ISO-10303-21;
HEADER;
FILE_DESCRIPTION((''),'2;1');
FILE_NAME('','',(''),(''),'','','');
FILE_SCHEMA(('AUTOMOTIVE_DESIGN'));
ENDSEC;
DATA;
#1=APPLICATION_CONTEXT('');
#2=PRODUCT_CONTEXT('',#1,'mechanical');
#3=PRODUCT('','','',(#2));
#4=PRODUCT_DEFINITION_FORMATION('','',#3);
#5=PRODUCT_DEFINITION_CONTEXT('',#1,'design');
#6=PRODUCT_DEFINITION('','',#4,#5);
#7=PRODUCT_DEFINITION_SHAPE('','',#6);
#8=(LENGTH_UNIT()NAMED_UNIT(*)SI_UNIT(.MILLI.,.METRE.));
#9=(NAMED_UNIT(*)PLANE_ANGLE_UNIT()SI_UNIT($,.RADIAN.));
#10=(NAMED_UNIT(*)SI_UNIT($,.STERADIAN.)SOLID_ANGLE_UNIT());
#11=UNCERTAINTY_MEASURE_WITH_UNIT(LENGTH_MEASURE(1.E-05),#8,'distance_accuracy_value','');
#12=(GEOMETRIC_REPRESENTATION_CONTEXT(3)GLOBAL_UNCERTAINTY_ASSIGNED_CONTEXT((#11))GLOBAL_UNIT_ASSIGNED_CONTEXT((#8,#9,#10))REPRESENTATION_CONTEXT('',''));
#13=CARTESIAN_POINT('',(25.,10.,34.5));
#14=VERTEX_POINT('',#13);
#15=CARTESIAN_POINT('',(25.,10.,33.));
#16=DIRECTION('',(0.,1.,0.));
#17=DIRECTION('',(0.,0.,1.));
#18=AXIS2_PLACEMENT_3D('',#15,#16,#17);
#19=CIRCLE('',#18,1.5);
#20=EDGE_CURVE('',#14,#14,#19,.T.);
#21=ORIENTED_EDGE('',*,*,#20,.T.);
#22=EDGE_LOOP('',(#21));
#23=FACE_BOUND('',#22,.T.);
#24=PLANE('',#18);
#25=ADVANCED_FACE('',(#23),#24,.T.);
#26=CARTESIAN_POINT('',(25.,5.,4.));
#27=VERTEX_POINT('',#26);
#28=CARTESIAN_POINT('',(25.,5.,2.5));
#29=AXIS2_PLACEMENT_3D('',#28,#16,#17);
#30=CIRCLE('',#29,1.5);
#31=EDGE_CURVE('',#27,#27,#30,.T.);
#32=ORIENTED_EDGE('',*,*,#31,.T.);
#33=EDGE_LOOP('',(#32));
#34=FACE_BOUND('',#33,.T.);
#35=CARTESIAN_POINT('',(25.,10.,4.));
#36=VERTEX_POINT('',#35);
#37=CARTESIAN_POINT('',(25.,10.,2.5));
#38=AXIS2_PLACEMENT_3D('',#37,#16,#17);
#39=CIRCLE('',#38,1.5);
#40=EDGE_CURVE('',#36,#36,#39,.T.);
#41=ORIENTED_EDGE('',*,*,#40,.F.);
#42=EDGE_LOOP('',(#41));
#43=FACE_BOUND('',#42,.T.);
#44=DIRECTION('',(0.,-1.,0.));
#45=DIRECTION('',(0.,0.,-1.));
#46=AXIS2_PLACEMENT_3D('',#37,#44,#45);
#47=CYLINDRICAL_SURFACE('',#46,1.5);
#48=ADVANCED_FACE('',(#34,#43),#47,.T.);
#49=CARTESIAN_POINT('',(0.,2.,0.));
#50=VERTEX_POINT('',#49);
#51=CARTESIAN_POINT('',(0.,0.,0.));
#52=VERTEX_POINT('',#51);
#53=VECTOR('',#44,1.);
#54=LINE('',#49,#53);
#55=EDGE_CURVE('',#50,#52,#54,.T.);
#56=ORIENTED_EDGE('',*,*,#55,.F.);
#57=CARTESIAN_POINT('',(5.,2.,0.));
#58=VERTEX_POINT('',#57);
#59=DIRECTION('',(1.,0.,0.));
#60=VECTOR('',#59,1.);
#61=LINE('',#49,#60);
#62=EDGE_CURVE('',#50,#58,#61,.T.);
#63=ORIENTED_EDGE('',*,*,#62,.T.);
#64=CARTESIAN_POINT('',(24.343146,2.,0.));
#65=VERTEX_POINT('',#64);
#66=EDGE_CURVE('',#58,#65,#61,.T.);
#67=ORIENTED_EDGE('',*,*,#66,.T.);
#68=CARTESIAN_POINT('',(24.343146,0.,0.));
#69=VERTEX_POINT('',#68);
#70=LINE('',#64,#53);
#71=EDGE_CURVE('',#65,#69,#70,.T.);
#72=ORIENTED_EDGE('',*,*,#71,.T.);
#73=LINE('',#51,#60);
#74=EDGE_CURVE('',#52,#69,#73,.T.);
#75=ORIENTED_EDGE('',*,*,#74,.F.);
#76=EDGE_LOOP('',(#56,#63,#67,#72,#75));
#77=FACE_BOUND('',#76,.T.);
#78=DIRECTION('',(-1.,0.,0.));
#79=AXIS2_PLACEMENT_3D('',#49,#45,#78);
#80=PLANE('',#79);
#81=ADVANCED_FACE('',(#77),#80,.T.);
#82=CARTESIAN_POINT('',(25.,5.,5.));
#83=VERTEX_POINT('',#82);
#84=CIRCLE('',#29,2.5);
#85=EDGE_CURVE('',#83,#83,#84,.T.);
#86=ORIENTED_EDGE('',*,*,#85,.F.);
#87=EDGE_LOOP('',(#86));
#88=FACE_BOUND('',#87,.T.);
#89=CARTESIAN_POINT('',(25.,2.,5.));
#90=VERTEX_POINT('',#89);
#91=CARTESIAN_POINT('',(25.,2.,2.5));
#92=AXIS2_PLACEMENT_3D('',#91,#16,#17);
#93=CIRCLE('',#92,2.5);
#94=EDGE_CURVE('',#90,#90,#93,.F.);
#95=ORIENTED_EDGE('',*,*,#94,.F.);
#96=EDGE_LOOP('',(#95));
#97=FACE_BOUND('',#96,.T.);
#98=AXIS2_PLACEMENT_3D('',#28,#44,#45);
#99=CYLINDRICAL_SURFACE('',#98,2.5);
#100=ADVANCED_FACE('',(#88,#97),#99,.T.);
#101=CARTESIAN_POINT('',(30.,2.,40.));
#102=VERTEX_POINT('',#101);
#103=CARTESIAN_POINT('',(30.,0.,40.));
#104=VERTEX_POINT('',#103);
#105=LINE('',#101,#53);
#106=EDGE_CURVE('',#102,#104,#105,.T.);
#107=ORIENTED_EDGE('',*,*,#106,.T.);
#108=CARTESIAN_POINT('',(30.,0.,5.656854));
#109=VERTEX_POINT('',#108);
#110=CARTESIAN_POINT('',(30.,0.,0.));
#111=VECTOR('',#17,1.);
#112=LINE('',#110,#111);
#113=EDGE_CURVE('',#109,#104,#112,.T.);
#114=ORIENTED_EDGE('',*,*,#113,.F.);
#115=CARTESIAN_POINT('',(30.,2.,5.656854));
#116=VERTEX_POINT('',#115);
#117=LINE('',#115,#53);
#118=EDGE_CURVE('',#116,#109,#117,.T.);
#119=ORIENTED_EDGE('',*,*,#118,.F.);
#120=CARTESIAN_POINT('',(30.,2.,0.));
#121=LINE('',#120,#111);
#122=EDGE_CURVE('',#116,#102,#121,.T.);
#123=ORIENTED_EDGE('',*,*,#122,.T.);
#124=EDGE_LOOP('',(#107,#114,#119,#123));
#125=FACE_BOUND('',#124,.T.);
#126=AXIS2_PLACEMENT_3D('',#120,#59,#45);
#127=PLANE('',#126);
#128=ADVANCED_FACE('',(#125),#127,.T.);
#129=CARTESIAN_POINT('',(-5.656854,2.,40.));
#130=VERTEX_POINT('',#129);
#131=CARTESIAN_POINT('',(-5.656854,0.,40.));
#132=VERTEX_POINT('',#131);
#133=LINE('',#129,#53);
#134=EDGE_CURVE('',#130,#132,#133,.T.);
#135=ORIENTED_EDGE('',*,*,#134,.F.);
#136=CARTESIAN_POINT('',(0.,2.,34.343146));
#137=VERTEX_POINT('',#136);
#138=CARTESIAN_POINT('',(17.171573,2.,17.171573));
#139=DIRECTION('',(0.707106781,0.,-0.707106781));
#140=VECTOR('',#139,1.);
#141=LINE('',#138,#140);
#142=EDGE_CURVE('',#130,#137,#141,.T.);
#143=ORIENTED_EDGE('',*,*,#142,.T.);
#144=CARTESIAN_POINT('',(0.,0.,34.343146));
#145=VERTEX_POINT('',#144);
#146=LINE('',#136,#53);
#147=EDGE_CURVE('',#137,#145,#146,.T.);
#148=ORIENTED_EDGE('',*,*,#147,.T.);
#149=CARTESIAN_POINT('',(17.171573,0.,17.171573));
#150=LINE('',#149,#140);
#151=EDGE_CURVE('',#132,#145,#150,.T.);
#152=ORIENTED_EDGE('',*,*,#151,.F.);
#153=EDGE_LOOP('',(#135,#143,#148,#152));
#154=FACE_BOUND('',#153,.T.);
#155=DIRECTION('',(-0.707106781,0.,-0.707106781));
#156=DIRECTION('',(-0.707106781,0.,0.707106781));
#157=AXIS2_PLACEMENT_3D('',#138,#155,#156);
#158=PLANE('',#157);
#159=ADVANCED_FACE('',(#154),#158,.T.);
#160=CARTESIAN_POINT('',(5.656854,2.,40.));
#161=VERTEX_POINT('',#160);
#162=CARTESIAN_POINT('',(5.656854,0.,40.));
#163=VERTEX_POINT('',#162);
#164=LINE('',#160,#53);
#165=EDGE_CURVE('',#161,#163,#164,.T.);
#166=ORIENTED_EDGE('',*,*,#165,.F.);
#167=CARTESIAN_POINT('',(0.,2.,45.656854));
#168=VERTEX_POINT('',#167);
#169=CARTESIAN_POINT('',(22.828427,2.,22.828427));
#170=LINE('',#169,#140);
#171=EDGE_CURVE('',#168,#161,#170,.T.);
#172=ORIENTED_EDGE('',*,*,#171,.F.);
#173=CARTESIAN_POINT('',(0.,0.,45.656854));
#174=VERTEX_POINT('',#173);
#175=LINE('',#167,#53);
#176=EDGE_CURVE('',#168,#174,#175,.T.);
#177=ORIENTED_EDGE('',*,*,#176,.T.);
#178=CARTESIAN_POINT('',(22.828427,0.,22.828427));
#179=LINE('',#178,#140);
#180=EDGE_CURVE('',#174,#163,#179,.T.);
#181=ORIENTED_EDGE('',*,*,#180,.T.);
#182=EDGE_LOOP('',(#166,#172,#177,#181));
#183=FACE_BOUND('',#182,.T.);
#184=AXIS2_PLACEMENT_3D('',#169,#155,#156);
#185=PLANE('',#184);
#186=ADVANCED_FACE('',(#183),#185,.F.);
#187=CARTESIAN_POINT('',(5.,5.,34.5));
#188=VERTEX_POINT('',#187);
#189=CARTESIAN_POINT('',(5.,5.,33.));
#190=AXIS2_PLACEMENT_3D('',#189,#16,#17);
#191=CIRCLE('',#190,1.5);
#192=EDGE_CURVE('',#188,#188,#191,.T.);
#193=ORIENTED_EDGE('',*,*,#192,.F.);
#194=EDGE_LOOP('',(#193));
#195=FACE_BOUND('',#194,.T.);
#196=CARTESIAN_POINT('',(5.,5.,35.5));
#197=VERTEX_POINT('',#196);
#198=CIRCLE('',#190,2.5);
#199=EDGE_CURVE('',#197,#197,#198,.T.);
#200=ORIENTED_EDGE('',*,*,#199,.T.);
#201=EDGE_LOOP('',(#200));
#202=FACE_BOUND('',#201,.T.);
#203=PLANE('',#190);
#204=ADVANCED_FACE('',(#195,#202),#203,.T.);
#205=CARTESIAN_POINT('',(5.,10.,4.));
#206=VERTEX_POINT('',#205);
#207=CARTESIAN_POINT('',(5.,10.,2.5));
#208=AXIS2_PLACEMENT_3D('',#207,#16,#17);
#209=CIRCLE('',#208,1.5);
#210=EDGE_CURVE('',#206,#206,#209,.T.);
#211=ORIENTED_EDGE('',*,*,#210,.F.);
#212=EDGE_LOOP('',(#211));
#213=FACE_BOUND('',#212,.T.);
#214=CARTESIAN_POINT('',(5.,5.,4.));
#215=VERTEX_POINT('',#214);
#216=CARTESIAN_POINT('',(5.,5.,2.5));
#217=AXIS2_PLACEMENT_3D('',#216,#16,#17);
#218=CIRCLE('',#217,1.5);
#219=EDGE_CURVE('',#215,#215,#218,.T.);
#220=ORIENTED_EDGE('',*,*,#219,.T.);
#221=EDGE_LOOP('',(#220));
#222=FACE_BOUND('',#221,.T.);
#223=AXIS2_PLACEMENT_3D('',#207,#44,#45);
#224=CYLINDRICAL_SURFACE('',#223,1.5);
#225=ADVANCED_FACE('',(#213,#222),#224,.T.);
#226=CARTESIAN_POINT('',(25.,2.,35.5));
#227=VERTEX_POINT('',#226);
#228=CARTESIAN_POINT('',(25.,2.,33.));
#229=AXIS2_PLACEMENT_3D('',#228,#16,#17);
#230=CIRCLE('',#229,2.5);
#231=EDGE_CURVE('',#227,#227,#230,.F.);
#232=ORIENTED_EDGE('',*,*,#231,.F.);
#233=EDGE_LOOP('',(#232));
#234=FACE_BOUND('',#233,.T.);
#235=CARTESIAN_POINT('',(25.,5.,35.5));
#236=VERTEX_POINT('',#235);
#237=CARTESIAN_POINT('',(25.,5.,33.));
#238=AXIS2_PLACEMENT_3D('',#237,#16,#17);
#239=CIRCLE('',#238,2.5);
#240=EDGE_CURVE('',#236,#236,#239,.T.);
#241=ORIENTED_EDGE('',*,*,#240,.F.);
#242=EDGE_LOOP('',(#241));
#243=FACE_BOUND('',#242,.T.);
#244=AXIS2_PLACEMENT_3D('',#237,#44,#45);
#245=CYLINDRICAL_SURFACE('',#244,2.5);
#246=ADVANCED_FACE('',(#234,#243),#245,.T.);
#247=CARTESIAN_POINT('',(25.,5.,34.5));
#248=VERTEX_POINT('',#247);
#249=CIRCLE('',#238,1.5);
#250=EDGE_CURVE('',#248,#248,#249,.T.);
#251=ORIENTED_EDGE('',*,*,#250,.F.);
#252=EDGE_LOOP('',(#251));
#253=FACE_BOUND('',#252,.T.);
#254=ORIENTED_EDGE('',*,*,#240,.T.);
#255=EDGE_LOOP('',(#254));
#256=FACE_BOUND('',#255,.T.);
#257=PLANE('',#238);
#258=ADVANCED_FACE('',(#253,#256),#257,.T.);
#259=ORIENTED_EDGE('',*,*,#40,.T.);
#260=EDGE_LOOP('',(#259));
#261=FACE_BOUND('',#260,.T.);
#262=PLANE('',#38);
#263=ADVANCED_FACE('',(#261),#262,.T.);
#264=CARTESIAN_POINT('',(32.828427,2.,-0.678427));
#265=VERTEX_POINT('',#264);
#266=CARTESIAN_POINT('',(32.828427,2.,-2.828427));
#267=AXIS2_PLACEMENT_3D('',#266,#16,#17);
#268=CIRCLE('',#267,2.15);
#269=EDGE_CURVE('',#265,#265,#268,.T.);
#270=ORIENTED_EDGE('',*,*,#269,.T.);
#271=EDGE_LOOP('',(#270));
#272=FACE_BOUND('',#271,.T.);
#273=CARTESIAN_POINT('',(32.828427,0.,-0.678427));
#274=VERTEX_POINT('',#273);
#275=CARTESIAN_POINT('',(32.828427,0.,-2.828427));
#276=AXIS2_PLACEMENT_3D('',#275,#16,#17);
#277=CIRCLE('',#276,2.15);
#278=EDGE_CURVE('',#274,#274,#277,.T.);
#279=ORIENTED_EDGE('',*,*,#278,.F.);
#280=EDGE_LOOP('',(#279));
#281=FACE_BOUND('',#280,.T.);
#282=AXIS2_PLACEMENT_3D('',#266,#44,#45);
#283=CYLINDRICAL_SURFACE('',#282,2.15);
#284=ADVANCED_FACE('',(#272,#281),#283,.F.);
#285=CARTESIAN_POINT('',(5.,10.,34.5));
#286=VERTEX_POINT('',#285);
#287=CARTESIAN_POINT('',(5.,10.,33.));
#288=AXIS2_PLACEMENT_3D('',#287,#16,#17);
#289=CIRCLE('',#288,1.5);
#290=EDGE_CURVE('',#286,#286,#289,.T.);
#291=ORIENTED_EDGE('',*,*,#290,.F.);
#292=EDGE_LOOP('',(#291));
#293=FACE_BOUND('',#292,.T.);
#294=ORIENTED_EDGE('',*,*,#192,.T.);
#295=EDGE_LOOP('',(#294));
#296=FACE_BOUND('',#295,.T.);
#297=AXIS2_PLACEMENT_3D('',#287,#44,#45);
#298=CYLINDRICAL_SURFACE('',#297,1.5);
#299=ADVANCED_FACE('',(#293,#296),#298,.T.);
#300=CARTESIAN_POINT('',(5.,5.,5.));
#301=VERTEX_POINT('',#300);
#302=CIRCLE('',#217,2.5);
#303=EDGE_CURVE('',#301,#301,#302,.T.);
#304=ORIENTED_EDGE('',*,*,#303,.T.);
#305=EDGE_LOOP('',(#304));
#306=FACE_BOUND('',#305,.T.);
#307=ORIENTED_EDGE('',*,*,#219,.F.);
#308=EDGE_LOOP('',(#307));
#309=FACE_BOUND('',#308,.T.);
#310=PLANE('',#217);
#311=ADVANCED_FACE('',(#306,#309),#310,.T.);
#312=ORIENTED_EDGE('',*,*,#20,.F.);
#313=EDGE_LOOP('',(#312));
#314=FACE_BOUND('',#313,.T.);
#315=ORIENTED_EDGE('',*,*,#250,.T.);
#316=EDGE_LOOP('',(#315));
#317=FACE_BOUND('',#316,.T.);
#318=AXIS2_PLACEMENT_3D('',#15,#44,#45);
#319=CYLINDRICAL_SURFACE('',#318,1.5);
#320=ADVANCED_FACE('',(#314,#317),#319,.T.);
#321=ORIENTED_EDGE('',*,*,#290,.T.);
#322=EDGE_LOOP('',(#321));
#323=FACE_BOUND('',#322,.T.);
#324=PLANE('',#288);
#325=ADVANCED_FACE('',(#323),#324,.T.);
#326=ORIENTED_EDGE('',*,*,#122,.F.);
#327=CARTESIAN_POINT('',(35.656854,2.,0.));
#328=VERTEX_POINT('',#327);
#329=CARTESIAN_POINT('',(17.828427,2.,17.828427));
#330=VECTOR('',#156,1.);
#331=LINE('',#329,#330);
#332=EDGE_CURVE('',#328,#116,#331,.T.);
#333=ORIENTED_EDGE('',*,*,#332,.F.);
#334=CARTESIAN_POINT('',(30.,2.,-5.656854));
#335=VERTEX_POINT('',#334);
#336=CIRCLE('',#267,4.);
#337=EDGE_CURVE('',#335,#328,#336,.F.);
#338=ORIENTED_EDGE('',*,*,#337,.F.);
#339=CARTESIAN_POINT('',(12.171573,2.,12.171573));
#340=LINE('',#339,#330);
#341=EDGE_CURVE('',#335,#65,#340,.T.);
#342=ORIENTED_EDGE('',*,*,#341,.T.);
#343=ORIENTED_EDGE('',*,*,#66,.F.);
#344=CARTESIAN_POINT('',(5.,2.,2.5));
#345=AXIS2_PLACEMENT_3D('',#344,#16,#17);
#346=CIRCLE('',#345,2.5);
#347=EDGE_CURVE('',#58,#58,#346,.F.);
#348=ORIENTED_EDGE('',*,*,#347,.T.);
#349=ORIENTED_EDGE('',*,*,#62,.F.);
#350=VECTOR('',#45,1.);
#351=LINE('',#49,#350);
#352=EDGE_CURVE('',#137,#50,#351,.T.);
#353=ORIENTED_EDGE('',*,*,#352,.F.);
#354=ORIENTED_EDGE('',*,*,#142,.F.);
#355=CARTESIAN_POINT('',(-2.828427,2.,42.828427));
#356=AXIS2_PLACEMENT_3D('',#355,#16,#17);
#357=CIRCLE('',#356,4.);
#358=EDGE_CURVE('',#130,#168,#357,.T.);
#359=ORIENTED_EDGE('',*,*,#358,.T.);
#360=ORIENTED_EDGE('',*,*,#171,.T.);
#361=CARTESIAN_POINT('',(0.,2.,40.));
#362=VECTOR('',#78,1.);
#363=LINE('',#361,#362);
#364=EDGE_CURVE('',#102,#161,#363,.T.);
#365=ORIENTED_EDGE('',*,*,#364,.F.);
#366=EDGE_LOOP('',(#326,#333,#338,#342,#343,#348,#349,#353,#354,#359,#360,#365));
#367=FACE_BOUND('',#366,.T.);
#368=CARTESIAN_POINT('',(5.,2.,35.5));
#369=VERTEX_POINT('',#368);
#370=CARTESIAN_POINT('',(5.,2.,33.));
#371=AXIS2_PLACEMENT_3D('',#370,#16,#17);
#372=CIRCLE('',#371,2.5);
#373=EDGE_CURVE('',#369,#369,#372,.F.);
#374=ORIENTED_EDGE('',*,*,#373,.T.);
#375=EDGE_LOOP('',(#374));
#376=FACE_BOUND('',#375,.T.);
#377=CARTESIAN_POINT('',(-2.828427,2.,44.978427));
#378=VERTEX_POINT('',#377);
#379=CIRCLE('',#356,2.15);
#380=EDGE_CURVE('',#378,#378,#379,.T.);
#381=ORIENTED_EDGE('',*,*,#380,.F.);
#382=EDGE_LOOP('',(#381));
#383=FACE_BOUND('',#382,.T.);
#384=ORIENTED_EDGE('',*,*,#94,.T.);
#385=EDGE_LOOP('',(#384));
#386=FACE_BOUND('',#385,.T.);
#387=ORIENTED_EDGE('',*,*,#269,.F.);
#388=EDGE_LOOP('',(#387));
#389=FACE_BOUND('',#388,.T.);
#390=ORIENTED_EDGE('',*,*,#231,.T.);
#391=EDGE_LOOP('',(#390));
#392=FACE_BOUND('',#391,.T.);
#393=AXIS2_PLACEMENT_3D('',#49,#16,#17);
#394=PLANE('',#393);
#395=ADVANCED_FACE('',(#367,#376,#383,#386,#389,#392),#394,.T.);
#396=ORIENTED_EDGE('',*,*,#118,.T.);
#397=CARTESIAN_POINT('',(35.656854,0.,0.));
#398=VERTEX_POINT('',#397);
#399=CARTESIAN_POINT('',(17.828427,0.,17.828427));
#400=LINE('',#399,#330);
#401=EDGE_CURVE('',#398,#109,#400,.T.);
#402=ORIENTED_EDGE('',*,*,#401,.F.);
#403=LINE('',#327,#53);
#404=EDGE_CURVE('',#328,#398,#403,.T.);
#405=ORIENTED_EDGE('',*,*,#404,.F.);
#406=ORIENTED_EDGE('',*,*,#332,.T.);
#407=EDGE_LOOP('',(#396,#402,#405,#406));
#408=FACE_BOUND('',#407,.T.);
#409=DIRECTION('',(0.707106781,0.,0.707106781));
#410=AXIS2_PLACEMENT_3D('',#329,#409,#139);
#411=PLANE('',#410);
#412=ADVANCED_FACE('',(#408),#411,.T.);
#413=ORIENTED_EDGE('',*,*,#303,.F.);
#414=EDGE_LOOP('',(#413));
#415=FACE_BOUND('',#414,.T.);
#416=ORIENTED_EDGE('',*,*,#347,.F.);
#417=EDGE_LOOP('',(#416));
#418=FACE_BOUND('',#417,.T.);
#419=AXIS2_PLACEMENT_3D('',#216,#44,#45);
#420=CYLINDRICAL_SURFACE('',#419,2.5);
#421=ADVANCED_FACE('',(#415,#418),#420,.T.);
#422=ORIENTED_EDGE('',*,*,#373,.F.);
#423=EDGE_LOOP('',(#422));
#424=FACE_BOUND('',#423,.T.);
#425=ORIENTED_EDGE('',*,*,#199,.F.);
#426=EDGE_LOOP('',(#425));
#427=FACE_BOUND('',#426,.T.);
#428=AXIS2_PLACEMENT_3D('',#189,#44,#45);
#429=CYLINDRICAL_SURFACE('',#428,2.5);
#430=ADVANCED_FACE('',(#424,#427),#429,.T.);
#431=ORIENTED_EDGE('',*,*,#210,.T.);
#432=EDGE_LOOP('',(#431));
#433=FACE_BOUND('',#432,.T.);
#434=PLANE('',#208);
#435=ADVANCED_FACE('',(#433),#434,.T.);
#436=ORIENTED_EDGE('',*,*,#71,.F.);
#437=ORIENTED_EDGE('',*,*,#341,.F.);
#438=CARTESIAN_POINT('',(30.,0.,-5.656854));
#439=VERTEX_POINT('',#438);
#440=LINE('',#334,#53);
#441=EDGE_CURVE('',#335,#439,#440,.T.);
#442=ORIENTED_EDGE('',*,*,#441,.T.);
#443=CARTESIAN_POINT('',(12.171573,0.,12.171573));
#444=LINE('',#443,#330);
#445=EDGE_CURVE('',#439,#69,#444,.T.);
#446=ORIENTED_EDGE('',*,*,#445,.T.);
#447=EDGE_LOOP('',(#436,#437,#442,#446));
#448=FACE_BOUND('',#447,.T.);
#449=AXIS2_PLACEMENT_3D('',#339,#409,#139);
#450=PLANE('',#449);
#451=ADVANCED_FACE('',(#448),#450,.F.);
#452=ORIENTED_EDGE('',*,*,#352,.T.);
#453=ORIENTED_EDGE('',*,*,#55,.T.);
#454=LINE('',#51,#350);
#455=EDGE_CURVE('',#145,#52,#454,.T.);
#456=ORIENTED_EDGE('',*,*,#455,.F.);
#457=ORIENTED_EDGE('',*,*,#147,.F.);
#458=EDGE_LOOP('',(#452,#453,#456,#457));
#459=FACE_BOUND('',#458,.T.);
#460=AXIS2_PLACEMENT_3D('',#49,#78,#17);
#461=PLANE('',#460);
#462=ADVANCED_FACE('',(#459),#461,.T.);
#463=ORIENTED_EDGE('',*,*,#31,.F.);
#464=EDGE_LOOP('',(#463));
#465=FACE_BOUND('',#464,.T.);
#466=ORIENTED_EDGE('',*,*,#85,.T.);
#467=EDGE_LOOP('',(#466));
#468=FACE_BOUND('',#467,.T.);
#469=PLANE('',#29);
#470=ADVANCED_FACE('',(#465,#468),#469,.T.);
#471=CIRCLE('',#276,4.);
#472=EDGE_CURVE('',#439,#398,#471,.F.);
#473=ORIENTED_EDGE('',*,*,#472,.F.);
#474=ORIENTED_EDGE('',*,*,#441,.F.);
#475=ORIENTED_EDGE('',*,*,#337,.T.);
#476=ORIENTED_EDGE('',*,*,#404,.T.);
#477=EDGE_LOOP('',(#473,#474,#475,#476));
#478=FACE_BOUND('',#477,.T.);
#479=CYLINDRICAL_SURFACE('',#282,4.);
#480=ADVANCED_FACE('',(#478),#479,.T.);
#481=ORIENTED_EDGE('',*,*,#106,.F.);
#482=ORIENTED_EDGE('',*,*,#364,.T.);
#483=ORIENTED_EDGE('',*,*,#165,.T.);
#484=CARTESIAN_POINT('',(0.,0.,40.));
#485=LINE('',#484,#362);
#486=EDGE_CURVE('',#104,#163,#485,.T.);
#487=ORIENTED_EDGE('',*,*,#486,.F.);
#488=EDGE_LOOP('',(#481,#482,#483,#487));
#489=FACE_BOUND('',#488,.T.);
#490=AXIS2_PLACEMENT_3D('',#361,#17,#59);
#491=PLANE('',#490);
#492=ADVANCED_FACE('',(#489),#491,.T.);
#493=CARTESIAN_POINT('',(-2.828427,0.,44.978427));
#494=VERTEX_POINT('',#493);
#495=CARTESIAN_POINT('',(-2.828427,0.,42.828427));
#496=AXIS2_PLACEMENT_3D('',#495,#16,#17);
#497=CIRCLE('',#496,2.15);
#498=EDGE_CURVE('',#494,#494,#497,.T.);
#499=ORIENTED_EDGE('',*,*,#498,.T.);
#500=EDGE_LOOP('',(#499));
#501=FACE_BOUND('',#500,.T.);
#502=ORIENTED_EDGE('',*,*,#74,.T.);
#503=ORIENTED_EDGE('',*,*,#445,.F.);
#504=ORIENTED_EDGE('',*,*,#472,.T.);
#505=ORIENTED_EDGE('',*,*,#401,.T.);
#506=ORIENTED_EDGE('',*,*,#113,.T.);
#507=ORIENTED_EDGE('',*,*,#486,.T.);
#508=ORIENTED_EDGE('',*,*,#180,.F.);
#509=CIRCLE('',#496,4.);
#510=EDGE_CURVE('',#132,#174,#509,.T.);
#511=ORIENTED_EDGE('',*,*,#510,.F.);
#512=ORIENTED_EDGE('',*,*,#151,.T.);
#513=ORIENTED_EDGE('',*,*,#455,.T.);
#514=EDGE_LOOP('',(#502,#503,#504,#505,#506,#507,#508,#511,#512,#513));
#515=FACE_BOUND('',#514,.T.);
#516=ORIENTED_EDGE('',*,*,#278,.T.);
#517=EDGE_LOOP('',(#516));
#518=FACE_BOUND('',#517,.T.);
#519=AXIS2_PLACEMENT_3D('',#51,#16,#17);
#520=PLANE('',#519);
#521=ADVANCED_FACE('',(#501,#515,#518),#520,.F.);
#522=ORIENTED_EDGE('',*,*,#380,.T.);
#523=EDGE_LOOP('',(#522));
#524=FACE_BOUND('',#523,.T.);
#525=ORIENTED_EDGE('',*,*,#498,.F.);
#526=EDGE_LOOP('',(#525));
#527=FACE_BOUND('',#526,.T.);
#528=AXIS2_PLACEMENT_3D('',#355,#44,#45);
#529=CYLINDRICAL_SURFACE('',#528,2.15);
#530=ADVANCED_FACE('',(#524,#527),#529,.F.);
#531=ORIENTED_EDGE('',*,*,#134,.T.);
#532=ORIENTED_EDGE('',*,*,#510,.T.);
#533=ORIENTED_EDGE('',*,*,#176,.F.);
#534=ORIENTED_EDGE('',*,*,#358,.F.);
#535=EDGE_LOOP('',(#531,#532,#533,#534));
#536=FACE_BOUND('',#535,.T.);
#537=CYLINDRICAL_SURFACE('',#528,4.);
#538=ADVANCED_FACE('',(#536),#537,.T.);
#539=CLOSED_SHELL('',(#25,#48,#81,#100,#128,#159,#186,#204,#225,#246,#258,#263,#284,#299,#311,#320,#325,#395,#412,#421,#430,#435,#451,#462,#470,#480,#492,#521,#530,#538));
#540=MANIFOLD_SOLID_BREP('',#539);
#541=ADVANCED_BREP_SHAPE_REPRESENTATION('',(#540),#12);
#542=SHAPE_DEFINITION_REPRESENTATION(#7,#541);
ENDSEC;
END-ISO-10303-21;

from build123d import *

# Parameters (mm, degrees)
SKETCH1_R           = 2.15
BOSS_EXTRUDE1_DEPTH = 2
SKETCH2_R           = 1.5
BOSS_EXTRUDE2_DEPTH = 10
SKETCH3_R           = 2.5
BOSS_EXTRUDE3_DEPTH = 5


with BuildPart() as part:
    # Sketch1 → Boss-Extrude1 (new body)
    with BuildSketch(Plane(origin=(0, 0, 0), x_dir=(1, 0, 0), z_dir=(0, 1, 0))):
        with BuildLine():
            Line((24.343145751, 0), (0, 0))
            Line((0, 0), (0, -34.343145751))
            Line((0, -34.343145751), (-5.656854249, -40))
            ThreePointArc((-5.656854249, -40), (-5.656854249, -45.656854249), (0, -45.656854249))
            Line((0, -45.656854249), (5.656854249, -40))
            Line((5.656854249, -40), (30, -40))
            Line((30, -40), (30, -5.656854249))
            Line((30, -5.656854249), (35.656854249, 0))
            ThreePointArc((35.656854249, 0), (35.656854249, 5.656854249), (30, 5.656854249))
            Line((30, 5.656854249), (24.343145751, 0))
        make_face()
        with Locations(Location((32.828427125, 2.828427125, 0), (0, 0, 270))):
            Circle(SKETCH1_R, mode=Mode.SUBTRACT)
        with Locations(Location((-2.828427125, -42.828427125, 0), (0, 0, 270))):
            Circle(SKETCH1_R, mode=Mode.SUBTRACT)
    extrude(amount=BOSS_EXTRUDE1_DEPTH)

    # Sketch2 → Boss-Extrude2 (add)
    with BuildSketch(Plane(origin=(0, 0, 0), x_dir=(1, 0, 0), z_dir=(0, 1, 0))):
        with Locations(Location((25, -2.5, 0), (0, 0, 270))):
            Circle(SKETCH2_R)
        with Locations(Location((25, -33, 0), (0, 0, 270))):
            Circle(SKETCH2_R)
        with Locations(Location((5, -33, 0), (0, 0, 270))):
            Circle(SKETCH2_R)
        with Locations(Location((5, -2.5, 0), (0, 0, 270))):
            Circle(SKETCH2_R)
    extrude(amount=BOSS_EXTRUDE2_DEPTH)

    # Sketch3 → Boss-Extrude3 (add)
    with BuildSketch(Plane(origin=(0, 0, 0), x_dir=(1, 0, 0), z_dir=(0, 1, 0))):
        with Locations(Location((5, -2.5, 0), (0, 0, 90))):
            Circle(SKETCH3_R)
        with Locations(Location((25, -2.5, 0), (0, 0, 270))):
            Circle(SKETCH3_R)
        with Locations(Location((25, -33, 0), (0, 0, 270))):
            Circle(SKETCH3_R)
        with Locations(Location((5, -33, 0), (0, 0, 270))):
            Circle(SKETCH3_R)
    extrude(amount=BOSS_EXTRUDE3_DEPTH)


solid = part.part
